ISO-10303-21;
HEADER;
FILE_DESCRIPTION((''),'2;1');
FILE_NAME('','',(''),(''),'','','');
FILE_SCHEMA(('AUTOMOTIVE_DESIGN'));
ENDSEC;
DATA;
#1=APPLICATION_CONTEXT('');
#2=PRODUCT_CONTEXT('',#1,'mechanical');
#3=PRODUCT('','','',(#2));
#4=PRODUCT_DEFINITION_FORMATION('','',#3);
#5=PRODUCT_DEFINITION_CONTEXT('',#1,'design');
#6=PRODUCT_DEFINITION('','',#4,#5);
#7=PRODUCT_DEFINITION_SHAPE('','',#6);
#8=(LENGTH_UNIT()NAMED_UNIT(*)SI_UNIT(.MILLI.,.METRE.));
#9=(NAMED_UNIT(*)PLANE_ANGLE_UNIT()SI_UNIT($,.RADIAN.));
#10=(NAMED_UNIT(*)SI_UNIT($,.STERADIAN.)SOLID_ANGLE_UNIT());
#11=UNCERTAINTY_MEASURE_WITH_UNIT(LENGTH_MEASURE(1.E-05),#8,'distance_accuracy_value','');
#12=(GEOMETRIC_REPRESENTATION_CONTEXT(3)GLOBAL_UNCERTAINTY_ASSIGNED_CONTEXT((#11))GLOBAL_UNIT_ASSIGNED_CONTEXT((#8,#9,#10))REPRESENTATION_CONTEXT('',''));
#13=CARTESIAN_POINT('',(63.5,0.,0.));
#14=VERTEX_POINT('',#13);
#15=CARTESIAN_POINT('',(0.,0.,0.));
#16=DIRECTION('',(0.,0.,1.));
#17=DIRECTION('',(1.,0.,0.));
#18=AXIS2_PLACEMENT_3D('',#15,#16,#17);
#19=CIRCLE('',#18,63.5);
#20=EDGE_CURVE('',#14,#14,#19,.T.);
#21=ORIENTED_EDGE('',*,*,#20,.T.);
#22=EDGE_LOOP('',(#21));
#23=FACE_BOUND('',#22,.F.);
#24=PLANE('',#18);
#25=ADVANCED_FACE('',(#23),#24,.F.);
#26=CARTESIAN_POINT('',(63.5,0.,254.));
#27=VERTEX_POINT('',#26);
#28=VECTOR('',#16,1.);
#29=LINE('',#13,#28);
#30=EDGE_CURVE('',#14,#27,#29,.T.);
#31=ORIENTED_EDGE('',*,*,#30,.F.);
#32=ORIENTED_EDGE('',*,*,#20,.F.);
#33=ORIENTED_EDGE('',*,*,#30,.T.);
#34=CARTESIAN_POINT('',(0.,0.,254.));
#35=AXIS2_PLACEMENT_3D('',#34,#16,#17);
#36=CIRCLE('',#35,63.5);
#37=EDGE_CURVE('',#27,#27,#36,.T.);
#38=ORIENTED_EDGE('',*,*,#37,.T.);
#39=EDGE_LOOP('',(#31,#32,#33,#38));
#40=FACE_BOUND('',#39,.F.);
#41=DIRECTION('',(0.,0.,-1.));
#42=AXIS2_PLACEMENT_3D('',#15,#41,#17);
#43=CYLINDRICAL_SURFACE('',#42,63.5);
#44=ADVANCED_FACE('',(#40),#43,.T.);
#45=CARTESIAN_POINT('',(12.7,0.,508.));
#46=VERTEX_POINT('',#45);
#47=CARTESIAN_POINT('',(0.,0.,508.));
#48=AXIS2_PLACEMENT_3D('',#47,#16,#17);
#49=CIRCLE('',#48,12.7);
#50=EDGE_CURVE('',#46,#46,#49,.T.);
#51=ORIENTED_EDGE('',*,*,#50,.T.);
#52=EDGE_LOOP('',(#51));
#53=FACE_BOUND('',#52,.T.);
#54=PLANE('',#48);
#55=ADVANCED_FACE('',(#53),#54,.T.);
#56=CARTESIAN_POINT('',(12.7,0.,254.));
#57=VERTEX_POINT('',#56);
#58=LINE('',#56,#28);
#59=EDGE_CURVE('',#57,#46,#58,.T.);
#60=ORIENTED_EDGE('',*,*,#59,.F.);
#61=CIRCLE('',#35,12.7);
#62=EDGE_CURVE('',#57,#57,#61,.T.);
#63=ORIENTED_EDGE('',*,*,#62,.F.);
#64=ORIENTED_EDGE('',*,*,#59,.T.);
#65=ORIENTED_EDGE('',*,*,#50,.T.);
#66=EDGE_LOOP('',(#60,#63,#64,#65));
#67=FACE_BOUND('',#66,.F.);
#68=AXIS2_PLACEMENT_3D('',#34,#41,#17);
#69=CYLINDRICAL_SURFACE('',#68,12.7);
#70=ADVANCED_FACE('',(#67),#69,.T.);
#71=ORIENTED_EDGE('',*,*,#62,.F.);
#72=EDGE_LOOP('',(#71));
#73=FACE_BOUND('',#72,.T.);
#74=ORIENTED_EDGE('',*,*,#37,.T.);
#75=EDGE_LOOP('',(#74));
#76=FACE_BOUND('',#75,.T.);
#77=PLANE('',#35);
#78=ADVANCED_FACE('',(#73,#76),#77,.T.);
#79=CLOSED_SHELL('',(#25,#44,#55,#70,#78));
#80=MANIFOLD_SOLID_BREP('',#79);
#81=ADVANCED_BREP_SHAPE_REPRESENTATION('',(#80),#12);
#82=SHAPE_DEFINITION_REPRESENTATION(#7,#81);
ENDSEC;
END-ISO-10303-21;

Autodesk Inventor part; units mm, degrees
ref_plane "YZ Plane" through (0, 0, 0) normal (1, 0, 0) x (0, 1, 0)
ref_plane "XZ Plane" through (0, 0, 0) normal (0, 1, 0) x (-1, 0, 0)
ref_plane "XY Plane" through (0, 0, 0) normal (0, 0, 1) x (1, 0, 0)
sketch "Sketch1" plane through (0, 0, 0) normal (0, 0, 1) x (1, 0, 0)
  circle A0 centre (0, 0) radius 63.5
  dimension "d0" = 127
extrude "Extrusion1" add sketch "Sketch1" along normal blind 254
sketch "Sketch2" plane through (0, 0, 254) normal (0, 0, 1) x (1, 0, 0)
  circle A0 centre (0, 0) radius 63.5 projected
  circle A1 centre (0, 0) radius 12.7
  dimension "d3" = 25.4
extrude "Extrusion2" add sketch "Sketch2" along normal blind 254 contours A1
properties part number "110V Motor"
